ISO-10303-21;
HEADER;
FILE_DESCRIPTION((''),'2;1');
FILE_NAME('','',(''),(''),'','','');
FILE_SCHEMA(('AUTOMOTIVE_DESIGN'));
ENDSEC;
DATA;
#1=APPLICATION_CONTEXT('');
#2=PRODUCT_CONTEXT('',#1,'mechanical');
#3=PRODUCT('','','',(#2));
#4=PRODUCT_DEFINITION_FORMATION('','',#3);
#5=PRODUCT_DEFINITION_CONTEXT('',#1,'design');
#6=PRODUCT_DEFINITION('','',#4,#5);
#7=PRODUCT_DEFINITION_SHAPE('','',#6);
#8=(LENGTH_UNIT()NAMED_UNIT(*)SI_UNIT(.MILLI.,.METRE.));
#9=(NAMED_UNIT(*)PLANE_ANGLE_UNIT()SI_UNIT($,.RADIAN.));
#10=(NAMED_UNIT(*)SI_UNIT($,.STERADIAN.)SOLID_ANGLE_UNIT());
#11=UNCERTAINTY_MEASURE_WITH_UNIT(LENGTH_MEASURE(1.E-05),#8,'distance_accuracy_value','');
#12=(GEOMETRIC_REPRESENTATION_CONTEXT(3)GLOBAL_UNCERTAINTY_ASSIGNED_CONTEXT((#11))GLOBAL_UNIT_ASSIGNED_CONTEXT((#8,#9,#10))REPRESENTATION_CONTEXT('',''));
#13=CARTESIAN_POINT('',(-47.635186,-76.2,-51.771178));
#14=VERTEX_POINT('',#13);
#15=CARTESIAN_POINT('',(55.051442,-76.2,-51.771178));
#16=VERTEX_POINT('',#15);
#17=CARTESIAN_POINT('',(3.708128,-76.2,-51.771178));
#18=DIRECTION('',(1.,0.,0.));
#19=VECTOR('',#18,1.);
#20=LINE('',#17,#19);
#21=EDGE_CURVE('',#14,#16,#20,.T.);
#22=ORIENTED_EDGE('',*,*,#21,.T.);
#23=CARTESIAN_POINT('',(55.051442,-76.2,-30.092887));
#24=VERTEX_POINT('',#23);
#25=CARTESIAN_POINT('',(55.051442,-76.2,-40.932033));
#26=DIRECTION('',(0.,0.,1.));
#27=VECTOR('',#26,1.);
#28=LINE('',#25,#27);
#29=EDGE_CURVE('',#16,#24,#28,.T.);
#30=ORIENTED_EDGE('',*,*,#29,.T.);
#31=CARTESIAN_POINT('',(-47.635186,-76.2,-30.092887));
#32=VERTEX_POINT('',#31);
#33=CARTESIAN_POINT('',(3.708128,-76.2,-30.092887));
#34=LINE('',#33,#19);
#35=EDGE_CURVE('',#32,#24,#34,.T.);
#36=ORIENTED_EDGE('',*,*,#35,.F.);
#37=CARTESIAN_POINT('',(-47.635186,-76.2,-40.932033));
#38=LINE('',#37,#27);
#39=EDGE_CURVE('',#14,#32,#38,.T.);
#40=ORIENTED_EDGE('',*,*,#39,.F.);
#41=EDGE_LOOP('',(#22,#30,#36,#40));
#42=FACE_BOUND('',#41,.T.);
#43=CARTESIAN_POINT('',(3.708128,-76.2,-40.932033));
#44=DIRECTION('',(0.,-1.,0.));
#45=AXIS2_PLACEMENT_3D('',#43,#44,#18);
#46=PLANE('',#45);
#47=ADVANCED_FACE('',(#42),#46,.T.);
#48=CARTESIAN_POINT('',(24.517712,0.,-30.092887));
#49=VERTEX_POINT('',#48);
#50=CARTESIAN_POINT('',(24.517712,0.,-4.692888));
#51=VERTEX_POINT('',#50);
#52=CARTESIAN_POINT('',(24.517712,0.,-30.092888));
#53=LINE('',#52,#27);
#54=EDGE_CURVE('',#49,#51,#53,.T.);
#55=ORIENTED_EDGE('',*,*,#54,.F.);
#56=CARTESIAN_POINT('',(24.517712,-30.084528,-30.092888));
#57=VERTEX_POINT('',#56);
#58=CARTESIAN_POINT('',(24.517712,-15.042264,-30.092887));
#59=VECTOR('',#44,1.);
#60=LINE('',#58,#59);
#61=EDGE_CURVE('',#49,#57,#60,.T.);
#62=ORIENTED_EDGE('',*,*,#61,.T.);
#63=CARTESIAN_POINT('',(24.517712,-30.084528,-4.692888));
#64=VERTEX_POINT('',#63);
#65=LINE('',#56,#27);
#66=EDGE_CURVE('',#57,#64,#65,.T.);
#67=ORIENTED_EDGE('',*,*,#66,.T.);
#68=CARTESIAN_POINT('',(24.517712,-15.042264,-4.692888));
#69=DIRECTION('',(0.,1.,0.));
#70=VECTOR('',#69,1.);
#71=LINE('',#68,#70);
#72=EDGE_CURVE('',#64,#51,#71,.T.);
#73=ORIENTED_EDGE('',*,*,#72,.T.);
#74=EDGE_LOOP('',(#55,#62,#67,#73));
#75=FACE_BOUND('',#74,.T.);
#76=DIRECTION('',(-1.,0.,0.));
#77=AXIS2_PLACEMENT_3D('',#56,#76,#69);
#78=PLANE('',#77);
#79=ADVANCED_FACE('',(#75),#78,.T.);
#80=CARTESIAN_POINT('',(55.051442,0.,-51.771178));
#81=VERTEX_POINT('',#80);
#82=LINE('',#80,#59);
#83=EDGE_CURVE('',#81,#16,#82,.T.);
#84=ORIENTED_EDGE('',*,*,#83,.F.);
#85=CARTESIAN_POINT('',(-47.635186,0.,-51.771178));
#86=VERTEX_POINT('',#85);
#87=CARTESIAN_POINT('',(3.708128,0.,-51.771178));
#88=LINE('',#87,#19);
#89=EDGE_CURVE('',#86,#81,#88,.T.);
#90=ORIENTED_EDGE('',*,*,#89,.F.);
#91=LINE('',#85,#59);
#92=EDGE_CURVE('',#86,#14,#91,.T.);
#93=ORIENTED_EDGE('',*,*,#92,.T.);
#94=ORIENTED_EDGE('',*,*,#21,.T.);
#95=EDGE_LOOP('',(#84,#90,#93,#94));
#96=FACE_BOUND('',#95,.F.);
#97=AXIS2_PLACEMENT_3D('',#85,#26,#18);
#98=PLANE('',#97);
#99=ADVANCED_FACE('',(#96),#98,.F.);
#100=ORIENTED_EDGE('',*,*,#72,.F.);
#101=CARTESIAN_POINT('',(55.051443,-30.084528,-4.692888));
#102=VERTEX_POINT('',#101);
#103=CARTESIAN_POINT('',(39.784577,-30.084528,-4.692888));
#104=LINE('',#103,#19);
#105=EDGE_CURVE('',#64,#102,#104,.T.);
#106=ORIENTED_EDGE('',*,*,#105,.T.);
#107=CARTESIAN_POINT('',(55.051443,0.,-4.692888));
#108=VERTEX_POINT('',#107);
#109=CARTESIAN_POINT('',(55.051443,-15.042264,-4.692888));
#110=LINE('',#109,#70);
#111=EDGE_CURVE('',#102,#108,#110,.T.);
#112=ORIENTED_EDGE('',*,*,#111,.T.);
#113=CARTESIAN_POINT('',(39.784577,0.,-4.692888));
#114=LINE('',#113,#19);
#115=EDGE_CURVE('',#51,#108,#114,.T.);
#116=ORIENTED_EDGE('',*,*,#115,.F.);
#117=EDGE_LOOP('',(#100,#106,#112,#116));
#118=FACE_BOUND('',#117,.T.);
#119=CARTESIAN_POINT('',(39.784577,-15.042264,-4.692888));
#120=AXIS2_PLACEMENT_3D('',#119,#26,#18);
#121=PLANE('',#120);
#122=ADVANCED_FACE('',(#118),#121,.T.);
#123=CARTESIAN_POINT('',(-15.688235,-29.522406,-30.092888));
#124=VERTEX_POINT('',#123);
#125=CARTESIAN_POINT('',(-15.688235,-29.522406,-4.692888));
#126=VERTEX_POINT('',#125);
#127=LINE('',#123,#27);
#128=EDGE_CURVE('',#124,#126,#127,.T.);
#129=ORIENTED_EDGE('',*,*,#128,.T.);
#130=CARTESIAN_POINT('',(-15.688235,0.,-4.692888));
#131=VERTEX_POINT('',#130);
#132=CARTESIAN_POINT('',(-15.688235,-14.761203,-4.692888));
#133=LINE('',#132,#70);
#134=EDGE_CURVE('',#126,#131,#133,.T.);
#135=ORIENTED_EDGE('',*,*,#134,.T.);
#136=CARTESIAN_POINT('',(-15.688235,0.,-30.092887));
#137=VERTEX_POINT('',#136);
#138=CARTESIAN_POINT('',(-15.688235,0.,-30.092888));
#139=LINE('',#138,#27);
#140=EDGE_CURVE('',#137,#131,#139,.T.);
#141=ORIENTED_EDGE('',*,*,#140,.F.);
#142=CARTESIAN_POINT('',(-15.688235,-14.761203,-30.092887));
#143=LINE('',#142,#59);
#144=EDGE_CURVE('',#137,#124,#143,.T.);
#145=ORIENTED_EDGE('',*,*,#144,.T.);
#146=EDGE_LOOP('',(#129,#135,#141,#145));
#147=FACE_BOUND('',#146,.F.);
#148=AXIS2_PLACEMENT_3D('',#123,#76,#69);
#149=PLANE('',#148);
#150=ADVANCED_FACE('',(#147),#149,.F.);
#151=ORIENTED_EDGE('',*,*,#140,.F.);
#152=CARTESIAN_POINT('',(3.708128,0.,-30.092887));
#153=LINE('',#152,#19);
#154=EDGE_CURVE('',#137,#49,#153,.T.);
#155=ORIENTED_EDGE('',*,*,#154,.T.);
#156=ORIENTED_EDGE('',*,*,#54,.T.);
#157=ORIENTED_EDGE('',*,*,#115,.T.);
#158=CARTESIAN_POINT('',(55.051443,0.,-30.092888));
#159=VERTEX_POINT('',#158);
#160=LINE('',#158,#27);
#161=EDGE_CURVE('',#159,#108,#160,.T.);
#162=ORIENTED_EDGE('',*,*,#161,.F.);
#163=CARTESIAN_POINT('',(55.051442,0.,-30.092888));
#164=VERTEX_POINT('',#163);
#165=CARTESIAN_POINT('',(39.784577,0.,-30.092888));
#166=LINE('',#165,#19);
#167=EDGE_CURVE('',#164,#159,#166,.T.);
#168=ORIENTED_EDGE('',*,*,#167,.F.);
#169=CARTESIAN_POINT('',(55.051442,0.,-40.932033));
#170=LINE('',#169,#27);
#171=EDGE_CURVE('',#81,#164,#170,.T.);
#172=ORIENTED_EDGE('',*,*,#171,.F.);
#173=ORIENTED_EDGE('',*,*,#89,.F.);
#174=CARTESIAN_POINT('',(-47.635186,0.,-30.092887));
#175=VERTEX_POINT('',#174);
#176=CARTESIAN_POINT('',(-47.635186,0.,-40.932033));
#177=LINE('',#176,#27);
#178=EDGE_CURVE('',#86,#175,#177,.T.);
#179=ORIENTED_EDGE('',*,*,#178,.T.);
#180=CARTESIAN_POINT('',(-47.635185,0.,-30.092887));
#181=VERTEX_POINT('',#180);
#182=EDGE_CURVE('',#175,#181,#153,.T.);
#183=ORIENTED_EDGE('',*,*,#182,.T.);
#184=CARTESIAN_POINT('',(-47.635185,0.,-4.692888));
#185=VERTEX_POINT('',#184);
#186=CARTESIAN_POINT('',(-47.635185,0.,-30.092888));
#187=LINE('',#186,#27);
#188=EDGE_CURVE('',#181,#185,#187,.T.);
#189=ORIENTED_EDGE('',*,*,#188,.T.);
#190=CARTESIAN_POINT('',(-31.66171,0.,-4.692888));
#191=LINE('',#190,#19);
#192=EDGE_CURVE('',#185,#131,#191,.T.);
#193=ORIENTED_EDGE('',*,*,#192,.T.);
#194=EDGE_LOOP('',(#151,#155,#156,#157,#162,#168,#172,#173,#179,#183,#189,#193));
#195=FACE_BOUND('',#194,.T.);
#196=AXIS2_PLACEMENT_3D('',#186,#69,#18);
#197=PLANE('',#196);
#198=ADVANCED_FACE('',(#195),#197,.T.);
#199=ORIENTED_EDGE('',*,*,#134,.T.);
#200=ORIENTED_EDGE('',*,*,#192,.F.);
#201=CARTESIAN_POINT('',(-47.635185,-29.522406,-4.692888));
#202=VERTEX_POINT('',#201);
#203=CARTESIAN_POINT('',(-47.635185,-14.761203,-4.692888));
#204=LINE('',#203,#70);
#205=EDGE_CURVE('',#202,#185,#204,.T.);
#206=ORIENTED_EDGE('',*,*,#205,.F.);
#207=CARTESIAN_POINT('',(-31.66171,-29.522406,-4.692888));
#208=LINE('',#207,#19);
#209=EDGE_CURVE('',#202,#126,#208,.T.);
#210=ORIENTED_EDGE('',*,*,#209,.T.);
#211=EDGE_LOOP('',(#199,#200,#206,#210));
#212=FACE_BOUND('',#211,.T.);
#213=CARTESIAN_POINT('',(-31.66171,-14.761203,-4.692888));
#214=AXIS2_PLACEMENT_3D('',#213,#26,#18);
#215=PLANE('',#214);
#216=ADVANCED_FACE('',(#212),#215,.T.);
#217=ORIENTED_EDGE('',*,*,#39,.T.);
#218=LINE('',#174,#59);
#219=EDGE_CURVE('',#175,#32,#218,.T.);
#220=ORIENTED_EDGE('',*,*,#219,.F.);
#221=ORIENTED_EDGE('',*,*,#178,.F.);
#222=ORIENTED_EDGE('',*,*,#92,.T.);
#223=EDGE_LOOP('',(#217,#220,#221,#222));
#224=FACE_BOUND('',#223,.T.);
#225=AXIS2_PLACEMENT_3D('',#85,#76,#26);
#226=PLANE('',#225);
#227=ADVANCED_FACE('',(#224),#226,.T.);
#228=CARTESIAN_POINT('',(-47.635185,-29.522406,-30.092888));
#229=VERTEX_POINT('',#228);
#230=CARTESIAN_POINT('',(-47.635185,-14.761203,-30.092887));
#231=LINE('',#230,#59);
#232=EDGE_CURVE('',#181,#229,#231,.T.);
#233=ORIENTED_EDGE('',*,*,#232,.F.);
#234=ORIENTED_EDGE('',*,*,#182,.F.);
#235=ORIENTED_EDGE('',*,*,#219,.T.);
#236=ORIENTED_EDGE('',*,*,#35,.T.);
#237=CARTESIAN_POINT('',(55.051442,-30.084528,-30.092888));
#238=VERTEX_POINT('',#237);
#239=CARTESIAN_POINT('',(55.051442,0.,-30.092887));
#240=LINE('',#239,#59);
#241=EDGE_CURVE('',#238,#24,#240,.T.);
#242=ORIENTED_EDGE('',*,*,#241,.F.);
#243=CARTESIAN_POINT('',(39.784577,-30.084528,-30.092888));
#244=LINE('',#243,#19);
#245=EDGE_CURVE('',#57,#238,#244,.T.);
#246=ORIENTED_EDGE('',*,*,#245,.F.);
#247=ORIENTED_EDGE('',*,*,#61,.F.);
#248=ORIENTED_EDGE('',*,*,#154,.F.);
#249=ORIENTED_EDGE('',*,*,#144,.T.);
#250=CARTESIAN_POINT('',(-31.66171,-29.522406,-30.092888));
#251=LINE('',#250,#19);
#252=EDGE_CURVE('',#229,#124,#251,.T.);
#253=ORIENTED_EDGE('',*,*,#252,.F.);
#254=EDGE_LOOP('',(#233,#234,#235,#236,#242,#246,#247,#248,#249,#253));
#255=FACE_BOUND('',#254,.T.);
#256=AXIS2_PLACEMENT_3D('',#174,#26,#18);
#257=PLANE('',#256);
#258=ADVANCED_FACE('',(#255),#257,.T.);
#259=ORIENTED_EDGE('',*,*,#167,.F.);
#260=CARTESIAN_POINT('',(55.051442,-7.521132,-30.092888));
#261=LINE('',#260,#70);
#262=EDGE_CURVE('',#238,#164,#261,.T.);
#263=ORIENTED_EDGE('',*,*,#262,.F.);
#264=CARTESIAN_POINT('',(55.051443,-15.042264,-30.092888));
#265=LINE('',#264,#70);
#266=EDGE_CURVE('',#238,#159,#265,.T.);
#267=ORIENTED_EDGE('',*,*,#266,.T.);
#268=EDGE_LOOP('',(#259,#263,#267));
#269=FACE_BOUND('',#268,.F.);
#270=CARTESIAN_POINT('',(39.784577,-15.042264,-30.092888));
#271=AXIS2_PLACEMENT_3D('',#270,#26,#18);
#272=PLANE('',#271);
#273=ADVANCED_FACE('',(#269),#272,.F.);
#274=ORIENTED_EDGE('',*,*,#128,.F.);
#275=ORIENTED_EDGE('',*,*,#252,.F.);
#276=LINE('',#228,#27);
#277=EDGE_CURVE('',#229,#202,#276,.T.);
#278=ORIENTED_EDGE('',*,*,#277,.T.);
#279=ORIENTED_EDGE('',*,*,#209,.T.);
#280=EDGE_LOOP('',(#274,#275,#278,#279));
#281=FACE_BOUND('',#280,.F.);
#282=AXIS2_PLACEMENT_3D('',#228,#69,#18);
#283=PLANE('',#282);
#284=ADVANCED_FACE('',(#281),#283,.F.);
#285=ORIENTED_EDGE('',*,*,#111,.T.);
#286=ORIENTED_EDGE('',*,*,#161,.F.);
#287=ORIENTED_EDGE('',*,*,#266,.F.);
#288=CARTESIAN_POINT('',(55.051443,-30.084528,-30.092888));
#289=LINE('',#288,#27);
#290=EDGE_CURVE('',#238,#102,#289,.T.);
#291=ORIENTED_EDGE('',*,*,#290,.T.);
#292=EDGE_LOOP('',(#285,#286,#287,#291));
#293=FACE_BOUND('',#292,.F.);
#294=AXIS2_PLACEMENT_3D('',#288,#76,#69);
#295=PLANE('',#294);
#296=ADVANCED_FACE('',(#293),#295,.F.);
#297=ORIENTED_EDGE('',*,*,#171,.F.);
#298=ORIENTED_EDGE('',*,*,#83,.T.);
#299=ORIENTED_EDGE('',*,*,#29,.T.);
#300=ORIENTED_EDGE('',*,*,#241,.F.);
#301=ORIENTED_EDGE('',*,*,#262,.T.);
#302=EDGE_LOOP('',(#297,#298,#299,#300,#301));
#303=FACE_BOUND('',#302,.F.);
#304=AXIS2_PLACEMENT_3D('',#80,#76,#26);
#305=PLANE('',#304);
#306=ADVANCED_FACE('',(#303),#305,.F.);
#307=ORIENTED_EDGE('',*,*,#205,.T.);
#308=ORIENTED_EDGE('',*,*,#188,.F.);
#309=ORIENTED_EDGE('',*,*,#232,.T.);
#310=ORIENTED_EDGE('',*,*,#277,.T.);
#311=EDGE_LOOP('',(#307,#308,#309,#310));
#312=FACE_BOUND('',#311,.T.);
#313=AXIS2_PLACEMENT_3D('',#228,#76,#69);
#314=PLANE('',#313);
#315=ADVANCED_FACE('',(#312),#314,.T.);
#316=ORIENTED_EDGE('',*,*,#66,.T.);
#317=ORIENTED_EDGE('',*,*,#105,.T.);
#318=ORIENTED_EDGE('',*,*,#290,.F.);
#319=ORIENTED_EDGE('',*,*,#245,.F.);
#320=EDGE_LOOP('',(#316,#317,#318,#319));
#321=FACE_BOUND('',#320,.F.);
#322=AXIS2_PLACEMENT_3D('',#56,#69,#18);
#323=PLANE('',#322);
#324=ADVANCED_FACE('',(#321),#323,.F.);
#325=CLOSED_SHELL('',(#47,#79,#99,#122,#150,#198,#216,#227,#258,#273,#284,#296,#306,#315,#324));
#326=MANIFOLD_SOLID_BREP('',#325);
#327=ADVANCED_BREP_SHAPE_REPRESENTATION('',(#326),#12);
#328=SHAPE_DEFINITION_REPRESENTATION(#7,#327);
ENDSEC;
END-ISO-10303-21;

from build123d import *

# Parameters (mm, degrees)
F0_W     = 102.686628
F0_H     = 21.678291
F1_DEPTH = 76.2
F2_W     = 30.533731
F2_H     = 30.084528
F3_DEPTH = 25.4
F4_W     = 31.946951
F4_H     = 29.522406
F5_DEPTH = 25.4


with BuildPart() as f1:
    # F0 (on Front) → F1 (new body)
    with BuildSketch(Plane.XZ):
        with Locations((3.708128, -40.932033)):
            Rectangle(F0_W, F0_H)
    extrude(amount=F1_DEPTH)

    # F2 (on face) → F3 (join)
    with BuildSketch(Plane.XY.offset(-30.092888)):
        with Locations((39.784577, -15.042264)):
            Rectangle(F2_W, F2_H)
    extrude(amount=F3_DEPTH)

    # F4 (on face) → F5 (join)
    with BuildSketch(Plane.XY.offset(-30.092888)):
        with Locations((-31.66171, -14.761203)):
            Rectangle(F4_W, F4_H)
    extrude(amount=F5_DEPTH)


solid = f1.part
